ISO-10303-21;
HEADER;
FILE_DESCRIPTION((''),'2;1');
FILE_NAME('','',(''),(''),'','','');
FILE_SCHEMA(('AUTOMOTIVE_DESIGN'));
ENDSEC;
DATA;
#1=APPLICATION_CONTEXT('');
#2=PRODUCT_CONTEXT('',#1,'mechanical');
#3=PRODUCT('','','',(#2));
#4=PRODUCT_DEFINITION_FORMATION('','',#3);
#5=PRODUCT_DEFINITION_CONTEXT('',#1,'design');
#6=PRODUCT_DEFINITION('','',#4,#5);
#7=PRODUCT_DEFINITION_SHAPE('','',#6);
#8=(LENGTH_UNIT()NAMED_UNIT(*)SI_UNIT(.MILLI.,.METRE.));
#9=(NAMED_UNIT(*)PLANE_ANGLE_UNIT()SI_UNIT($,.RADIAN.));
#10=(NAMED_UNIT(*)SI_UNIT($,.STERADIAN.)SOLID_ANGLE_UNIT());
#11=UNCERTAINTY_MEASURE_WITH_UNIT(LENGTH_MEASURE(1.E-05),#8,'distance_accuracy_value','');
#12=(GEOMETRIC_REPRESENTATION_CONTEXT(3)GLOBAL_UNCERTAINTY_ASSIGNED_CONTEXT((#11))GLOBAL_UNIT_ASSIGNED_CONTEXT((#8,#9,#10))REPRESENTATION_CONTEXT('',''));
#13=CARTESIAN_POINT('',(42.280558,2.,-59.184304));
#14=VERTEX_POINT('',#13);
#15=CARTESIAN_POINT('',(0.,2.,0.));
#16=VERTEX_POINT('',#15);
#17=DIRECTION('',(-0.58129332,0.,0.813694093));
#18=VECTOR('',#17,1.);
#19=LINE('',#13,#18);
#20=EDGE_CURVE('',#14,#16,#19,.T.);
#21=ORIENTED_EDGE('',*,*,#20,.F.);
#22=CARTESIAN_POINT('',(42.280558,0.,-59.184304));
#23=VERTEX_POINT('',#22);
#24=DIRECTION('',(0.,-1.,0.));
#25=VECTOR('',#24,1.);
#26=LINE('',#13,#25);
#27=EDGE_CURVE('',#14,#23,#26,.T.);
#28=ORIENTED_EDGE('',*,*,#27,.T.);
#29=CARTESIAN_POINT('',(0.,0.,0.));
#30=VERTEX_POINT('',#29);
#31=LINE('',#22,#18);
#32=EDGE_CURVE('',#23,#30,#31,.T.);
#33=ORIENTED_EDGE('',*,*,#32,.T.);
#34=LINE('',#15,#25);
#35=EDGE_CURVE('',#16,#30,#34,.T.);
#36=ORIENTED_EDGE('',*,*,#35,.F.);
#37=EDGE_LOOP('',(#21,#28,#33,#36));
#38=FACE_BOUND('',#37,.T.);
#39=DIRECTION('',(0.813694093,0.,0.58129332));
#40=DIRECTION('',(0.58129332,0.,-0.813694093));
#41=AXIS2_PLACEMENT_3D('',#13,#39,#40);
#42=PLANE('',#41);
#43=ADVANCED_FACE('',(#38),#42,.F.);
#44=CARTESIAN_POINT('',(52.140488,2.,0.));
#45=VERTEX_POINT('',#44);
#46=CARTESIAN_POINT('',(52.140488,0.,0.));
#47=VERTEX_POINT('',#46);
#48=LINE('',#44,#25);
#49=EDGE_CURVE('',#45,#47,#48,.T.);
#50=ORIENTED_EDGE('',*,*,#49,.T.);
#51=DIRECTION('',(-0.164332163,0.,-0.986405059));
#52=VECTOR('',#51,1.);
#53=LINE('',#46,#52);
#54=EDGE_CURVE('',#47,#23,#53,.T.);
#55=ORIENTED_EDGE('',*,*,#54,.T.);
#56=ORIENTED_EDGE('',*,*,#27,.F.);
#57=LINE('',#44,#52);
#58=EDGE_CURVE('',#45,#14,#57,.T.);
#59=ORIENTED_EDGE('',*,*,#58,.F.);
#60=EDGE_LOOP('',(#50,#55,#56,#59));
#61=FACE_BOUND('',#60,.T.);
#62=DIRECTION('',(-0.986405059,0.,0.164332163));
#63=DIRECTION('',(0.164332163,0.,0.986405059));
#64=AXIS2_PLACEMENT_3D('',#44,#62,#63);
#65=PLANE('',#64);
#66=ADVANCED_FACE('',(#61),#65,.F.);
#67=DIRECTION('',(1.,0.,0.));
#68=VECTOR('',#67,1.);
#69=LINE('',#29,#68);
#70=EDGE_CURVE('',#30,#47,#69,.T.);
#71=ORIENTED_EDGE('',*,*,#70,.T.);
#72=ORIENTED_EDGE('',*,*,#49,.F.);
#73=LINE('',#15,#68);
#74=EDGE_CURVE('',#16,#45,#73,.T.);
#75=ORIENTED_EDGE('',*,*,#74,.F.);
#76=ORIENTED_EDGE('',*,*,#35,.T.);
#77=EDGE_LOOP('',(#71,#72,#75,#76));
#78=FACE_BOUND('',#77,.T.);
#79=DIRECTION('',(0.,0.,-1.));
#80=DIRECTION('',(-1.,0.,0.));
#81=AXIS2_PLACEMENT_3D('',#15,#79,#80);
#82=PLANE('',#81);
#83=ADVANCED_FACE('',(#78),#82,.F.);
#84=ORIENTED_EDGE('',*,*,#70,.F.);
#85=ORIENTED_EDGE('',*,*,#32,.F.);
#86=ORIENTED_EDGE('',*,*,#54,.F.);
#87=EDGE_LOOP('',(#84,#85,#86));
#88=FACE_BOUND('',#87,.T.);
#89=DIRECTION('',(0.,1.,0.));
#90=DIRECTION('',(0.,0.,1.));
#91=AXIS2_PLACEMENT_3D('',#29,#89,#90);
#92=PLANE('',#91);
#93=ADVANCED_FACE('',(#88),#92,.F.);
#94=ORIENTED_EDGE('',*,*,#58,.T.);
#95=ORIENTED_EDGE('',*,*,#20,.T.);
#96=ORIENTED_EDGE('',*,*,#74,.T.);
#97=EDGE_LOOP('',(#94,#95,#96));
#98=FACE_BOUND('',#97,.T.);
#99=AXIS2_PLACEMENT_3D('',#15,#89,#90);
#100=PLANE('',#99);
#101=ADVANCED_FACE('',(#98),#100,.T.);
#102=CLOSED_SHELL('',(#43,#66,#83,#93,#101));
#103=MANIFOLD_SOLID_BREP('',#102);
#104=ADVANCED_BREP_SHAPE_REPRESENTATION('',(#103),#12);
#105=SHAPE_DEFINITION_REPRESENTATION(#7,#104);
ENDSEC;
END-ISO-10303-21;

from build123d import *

# Parameters (mm, degrees)
BOSS_EXTRU_1_DEPTH = 2


with BuildPart() as part:
    # Esquisse1 → Boss.-Extru.1 (new body)
    with BuildSketch(Plane(origin=(0, 0, 0), x_dir=(1, 0, 0), z_dir=(0, 1, 0))):
        Polygon((0, 0), (52.140487741, 0), (42.280557975, 59.184303536), align=None)
    extrude(amount=BOSS_EXTRU_1_DEPTH)


solid = part.part
